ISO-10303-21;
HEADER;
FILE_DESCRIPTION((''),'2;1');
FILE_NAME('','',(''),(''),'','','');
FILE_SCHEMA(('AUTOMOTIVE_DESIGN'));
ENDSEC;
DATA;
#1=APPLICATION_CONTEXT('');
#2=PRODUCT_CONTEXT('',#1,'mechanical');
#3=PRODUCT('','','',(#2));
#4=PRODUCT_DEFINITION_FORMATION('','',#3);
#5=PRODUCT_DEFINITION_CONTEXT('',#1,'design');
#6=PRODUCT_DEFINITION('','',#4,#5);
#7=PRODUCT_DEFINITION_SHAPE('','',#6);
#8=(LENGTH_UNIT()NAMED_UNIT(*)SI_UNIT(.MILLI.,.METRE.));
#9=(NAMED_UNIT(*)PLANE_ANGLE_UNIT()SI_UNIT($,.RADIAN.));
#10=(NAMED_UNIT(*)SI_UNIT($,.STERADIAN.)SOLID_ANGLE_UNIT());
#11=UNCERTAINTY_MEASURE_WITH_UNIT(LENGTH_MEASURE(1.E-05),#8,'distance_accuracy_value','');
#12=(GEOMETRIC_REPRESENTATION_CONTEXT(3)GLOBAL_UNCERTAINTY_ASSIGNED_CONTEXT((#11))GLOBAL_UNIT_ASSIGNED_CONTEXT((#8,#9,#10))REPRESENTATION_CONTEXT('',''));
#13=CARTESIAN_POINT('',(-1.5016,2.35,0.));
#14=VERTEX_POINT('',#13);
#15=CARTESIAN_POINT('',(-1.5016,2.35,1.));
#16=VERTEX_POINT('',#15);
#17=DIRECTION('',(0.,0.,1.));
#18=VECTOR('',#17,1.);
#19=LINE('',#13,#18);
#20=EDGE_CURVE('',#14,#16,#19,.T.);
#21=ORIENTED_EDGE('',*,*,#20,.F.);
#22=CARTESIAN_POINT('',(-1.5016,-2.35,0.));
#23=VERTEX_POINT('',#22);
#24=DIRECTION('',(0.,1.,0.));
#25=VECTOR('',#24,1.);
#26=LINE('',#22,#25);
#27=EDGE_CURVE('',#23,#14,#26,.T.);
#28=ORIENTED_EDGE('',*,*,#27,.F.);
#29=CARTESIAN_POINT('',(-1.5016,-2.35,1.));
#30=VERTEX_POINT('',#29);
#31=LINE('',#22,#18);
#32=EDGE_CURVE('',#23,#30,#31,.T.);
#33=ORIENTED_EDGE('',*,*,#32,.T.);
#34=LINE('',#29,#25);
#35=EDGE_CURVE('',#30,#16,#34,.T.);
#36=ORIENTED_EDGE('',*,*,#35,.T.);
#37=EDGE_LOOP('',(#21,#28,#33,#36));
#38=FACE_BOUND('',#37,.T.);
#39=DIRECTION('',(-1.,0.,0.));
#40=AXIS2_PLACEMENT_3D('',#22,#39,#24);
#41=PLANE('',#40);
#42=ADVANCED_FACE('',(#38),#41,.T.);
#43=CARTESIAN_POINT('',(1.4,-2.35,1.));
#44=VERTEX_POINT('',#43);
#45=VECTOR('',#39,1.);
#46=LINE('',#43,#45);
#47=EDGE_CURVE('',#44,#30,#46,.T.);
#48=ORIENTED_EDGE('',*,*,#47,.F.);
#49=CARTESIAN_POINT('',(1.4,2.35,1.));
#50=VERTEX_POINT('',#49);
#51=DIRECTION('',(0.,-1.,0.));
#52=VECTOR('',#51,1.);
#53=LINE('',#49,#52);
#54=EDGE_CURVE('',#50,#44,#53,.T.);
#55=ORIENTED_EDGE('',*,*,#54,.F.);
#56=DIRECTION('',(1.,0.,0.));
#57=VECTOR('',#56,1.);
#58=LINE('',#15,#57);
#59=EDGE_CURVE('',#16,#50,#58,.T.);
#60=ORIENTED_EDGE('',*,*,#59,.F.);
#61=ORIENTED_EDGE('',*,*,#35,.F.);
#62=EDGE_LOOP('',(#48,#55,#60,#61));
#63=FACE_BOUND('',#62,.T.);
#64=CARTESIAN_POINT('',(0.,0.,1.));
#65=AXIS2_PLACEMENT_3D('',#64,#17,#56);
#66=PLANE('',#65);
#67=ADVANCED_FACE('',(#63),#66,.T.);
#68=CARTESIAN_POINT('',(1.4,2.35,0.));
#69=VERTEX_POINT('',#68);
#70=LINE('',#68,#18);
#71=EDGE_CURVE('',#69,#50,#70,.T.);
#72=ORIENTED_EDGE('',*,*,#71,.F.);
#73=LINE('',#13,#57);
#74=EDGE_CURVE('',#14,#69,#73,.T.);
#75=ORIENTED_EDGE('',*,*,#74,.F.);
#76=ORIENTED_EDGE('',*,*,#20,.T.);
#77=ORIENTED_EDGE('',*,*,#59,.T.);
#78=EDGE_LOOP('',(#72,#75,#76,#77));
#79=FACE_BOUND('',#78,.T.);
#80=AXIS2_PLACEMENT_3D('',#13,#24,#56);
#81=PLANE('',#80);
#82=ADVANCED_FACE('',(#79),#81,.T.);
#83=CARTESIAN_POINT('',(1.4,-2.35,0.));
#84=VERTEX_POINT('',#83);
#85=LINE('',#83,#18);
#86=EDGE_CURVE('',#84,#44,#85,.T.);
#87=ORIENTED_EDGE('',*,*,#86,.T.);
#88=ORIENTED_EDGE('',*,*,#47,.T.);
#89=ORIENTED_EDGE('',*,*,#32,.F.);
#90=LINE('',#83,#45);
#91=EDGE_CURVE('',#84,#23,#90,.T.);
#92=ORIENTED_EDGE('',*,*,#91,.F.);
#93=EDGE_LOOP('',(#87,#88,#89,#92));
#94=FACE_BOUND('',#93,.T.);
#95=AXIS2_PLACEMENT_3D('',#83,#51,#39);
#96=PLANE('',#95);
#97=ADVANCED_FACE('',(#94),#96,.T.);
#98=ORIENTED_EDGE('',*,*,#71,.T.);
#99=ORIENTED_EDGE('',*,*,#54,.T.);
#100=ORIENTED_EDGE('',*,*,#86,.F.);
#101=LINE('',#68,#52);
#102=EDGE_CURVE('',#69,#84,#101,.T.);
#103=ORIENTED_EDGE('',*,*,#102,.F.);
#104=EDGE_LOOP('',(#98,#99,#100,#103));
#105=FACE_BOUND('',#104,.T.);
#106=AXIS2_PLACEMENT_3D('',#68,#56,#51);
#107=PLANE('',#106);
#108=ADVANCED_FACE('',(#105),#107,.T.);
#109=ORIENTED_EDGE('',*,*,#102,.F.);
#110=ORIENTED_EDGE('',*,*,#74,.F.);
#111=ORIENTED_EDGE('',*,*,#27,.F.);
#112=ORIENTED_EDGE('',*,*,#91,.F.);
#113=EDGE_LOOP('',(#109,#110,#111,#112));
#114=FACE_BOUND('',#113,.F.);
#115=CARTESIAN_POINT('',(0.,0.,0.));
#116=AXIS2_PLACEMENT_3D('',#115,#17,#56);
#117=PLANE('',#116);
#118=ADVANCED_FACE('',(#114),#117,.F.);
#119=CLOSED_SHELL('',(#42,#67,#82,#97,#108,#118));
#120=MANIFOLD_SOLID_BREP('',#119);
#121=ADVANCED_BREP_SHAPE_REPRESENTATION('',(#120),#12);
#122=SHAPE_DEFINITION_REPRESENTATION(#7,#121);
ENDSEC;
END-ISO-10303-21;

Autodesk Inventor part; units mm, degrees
ref_plane "YZ Plane" through (0, 0, 0) normal (1, 0, 0) x (0, 1, 0)
ref_plane "XZ Plane" through (0, 0, 0) normal (0, 1, 0) x (-1, 0, 0)
ref_plane "XY Plane" through (0, 0, 0) normal (0, 0, 1) x (1, 0, 0)
sketch "P-LCC-2, LED_IC_3_STATUS_P-LCC-2_64" plane through (0, 0, 0) normal (0, 0, 1) x (1, 0, 0)
  line L0 (-1.5016, 2.35) -> (1.4, 2.35)
  line L1 (1.4, 2.35) -> (1.4, -2.35)
  line L2 (1.4, -2.35) -> (-1.5016, -2.35)
  line L3 (-1.5016, -2.35) -> (-1.5016, 2.35)
extrude "Extrusion1" add sketch "P-LCC-2, LED_IC_3_STATUS_P-LCC-2_64" along normal blind 1
properties part number "LED_IC_3_STATUS_P-LCC-2"
